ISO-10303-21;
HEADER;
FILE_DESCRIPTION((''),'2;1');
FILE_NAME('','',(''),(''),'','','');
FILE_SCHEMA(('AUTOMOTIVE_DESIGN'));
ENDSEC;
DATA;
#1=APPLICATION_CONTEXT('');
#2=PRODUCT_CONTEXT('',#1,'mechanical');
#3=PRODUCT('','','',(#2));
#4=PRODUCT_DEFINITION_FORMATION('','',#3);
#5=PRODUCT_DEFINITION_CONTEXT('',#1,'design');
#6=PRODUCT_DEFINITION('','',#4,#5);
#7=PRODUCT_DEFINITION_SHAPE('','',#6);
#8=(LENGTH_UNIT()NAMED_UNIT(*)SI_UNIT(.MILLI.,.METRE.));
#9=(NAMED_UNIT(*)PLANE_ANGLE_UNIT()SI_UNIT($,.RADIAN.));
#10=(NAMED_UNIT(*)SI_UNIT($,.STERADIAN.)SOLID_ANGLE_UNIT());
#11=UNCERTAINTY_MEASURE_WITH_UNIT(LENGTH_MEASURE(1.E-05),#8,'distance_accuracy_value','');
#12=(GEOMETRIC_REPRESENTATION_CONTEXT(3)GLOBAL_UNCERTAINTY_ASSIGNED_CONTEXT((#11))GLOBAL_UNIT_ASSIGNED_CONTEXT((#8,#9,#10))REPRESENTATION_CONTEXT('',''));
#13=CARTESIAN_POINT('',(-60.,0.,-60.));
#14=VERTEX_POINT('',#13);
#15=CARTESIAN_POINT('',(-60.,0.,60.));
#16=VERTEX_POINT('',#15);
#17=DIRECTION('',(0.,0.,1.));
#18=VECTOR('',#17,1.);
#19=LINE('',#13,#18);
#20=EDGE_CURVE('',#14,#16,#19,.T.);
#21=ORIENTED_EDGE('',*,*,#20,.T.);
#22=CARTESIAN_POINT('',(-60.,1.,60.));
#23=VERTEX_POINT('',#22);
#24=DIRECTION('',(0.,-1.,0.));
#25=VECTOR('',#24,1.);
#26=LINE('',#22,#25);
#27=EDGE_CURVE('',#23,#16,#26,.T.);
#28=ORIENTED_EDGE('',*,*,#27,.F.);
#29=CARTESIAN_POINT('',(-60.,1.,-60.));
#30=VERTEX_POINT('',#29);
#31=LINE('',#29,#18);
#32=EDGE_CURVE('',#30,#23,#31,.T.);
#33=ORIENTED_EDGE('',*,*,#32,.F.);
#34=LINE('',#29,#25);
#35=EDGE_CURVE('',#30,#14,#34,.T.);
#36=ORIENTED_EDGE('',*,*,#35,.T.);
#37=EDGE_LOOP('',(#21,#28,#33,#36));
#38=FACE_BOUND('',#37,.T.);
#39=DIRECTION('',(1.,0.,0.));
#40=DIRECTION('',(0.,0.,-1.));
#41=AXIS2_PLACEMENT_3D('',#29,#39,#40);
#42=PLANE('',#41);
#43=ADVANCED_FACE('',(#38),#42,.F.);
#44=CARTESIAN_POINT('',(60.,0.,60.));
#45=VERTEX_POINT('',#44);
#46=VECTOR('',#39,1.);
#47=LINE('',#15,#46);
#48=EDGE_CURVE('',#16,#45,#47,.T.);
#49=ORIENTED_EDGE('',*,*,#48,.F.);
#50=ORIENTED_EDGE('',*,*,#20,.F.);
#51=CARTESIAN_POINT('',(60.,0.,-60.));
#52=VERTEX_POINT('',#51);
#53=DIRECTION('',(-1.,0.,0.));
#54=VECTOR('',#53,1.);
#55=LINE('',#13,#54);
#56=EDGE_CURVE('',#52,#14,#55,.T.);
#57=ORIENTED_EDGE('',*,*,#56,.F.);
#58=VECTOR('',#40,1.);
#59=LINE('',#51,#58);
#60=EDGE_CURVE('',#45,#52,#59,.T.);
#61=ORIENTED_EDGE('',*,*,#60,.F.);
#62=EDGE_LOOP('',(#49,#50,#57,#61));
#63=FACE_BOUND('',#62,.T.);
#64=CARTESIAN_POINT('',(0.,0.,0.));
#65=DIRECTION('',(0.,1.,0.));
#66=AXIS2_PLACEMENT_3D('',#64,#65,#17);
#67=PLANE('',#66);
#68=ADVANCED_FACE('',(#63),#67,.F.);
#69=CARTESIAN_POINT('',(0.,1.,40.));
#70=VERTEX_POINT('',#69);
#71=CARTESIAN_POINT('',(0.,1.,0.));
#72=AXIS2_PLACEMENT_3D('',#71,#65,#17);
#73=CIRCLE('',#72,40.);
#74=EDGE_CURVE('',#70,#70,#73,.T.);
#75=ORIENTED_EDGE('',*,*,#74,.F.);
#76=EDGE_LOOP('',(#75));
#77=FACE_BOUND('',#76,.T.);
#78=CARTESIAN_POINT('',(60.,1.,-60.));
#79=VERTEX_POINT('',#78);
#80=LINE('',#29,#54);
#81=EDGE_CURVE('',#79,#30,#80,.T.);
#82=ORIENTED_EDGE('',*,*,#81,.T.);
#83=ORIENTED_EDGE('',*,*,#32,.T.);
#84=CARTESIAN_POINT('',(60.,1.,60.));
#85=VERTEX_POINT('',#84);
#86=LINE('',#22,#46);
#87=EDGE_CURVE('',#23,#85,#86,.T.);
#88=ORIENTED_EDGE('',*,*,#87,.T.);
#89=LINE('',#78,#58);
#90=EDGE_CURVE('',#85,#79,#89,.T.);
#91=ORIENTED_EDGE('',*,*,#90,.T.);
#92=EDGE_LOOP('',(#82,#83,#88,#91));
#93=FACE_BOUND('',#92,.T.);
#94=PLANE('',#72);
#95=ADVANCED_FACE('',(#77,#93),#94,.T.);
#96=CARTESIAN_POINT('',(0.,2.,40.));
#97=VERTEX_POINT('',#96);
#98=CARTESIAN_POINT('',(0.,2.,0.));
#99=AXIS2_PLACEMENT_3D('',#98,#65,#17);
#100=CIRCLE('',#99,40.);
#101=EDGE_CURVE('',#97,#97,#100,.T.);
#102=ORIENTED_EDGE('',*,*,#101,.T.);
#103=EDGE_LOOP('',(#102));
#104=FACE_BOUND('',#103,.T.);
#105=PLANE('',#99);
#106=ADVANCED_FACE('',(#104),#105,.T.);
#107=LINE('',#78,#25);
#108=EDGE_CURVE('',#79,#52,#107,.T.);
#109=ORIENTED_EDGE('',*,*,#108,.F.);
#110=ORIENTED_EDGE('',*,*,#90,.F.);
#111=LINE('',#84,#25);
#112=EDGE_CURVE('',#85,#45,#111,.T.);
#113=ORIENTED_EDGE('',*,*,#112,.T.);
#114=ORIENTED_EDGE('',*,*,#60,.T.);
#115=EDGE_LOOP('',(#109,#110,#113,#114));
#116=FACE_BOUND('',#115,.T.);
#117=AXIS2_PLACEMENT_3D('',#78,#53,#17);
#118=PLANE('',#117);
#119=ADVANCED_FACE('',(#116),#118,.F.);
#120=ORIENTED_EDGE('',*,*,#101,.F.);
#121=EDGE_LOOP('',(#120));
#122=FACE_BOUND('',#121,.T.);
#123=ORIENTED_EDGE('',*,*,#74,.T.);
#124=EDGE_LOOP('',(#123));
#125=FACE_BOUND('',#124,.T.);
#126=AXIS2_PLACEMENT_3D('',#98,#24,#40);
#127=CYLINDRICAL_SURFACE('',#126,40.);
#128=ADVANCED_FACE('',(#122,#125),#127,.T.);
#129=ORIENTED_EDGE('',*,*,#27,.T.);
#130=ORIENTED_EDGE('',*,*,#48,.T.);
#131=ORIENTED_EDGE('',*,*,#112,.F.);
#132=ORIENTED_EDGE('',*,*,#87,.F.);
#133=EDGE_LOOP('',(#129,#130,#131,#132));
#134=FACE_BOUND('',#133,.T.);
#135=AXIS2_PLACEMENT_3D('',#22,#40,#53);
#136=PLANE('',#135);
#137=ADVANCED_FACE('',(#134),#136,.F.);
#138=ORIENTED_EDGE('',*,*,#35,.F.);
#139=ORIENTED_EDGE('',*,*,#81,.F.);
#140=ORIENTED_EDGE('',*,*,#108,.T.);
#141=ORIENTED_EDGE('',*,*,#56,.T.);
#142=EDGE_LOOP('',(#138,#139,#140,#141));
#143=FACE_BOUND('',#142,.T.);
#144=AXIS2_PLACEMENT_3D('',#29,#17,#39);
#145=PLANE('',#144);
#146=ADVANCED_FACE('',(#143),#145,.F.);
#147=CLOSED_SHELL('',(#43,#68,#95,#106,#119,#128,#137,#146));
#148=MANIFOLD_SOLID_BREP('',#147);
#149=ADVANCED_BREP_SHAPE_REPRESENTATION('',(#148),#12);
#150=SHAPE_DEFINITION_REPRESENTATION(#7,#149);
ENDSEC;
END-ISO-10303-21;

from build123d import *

# Parameters (mm, degrees)
SKETCH_1_W      = 120
SKETCH_1_H      = 120
EXTRUDE_1_DEPTH = 1
SKETCH_2_R      = 40
EXTRUDE_2_DEPTH = 1


with BuildPart() as part:
    # 草图1 → 凸台-拉伸1 (new body)
    with BuildSketch(Plane(origin=(0, 0, 0), x_dir=(1, 0, 0), z_dir=(0, 1, 0))):
        Rectangle(SKETCH_1_W, SKETCH_1_H)
    extrude(amount=EXTRUDE_1_DEPTH)

    # 草图2 → 凸台-拉伸2 (add)
    with BuildSketch(Plane(origin=(0, 1, 0), x_dir=(1, 0, 0), z_dir=(0, 1, 0))):
        with Locations(Location((0, 0, 0), (0, 0, 270))):
            Circle(SKETCH_2_R)
    extrude(amount=EXTRUDE_2_DEPTH)


solid = part.part
